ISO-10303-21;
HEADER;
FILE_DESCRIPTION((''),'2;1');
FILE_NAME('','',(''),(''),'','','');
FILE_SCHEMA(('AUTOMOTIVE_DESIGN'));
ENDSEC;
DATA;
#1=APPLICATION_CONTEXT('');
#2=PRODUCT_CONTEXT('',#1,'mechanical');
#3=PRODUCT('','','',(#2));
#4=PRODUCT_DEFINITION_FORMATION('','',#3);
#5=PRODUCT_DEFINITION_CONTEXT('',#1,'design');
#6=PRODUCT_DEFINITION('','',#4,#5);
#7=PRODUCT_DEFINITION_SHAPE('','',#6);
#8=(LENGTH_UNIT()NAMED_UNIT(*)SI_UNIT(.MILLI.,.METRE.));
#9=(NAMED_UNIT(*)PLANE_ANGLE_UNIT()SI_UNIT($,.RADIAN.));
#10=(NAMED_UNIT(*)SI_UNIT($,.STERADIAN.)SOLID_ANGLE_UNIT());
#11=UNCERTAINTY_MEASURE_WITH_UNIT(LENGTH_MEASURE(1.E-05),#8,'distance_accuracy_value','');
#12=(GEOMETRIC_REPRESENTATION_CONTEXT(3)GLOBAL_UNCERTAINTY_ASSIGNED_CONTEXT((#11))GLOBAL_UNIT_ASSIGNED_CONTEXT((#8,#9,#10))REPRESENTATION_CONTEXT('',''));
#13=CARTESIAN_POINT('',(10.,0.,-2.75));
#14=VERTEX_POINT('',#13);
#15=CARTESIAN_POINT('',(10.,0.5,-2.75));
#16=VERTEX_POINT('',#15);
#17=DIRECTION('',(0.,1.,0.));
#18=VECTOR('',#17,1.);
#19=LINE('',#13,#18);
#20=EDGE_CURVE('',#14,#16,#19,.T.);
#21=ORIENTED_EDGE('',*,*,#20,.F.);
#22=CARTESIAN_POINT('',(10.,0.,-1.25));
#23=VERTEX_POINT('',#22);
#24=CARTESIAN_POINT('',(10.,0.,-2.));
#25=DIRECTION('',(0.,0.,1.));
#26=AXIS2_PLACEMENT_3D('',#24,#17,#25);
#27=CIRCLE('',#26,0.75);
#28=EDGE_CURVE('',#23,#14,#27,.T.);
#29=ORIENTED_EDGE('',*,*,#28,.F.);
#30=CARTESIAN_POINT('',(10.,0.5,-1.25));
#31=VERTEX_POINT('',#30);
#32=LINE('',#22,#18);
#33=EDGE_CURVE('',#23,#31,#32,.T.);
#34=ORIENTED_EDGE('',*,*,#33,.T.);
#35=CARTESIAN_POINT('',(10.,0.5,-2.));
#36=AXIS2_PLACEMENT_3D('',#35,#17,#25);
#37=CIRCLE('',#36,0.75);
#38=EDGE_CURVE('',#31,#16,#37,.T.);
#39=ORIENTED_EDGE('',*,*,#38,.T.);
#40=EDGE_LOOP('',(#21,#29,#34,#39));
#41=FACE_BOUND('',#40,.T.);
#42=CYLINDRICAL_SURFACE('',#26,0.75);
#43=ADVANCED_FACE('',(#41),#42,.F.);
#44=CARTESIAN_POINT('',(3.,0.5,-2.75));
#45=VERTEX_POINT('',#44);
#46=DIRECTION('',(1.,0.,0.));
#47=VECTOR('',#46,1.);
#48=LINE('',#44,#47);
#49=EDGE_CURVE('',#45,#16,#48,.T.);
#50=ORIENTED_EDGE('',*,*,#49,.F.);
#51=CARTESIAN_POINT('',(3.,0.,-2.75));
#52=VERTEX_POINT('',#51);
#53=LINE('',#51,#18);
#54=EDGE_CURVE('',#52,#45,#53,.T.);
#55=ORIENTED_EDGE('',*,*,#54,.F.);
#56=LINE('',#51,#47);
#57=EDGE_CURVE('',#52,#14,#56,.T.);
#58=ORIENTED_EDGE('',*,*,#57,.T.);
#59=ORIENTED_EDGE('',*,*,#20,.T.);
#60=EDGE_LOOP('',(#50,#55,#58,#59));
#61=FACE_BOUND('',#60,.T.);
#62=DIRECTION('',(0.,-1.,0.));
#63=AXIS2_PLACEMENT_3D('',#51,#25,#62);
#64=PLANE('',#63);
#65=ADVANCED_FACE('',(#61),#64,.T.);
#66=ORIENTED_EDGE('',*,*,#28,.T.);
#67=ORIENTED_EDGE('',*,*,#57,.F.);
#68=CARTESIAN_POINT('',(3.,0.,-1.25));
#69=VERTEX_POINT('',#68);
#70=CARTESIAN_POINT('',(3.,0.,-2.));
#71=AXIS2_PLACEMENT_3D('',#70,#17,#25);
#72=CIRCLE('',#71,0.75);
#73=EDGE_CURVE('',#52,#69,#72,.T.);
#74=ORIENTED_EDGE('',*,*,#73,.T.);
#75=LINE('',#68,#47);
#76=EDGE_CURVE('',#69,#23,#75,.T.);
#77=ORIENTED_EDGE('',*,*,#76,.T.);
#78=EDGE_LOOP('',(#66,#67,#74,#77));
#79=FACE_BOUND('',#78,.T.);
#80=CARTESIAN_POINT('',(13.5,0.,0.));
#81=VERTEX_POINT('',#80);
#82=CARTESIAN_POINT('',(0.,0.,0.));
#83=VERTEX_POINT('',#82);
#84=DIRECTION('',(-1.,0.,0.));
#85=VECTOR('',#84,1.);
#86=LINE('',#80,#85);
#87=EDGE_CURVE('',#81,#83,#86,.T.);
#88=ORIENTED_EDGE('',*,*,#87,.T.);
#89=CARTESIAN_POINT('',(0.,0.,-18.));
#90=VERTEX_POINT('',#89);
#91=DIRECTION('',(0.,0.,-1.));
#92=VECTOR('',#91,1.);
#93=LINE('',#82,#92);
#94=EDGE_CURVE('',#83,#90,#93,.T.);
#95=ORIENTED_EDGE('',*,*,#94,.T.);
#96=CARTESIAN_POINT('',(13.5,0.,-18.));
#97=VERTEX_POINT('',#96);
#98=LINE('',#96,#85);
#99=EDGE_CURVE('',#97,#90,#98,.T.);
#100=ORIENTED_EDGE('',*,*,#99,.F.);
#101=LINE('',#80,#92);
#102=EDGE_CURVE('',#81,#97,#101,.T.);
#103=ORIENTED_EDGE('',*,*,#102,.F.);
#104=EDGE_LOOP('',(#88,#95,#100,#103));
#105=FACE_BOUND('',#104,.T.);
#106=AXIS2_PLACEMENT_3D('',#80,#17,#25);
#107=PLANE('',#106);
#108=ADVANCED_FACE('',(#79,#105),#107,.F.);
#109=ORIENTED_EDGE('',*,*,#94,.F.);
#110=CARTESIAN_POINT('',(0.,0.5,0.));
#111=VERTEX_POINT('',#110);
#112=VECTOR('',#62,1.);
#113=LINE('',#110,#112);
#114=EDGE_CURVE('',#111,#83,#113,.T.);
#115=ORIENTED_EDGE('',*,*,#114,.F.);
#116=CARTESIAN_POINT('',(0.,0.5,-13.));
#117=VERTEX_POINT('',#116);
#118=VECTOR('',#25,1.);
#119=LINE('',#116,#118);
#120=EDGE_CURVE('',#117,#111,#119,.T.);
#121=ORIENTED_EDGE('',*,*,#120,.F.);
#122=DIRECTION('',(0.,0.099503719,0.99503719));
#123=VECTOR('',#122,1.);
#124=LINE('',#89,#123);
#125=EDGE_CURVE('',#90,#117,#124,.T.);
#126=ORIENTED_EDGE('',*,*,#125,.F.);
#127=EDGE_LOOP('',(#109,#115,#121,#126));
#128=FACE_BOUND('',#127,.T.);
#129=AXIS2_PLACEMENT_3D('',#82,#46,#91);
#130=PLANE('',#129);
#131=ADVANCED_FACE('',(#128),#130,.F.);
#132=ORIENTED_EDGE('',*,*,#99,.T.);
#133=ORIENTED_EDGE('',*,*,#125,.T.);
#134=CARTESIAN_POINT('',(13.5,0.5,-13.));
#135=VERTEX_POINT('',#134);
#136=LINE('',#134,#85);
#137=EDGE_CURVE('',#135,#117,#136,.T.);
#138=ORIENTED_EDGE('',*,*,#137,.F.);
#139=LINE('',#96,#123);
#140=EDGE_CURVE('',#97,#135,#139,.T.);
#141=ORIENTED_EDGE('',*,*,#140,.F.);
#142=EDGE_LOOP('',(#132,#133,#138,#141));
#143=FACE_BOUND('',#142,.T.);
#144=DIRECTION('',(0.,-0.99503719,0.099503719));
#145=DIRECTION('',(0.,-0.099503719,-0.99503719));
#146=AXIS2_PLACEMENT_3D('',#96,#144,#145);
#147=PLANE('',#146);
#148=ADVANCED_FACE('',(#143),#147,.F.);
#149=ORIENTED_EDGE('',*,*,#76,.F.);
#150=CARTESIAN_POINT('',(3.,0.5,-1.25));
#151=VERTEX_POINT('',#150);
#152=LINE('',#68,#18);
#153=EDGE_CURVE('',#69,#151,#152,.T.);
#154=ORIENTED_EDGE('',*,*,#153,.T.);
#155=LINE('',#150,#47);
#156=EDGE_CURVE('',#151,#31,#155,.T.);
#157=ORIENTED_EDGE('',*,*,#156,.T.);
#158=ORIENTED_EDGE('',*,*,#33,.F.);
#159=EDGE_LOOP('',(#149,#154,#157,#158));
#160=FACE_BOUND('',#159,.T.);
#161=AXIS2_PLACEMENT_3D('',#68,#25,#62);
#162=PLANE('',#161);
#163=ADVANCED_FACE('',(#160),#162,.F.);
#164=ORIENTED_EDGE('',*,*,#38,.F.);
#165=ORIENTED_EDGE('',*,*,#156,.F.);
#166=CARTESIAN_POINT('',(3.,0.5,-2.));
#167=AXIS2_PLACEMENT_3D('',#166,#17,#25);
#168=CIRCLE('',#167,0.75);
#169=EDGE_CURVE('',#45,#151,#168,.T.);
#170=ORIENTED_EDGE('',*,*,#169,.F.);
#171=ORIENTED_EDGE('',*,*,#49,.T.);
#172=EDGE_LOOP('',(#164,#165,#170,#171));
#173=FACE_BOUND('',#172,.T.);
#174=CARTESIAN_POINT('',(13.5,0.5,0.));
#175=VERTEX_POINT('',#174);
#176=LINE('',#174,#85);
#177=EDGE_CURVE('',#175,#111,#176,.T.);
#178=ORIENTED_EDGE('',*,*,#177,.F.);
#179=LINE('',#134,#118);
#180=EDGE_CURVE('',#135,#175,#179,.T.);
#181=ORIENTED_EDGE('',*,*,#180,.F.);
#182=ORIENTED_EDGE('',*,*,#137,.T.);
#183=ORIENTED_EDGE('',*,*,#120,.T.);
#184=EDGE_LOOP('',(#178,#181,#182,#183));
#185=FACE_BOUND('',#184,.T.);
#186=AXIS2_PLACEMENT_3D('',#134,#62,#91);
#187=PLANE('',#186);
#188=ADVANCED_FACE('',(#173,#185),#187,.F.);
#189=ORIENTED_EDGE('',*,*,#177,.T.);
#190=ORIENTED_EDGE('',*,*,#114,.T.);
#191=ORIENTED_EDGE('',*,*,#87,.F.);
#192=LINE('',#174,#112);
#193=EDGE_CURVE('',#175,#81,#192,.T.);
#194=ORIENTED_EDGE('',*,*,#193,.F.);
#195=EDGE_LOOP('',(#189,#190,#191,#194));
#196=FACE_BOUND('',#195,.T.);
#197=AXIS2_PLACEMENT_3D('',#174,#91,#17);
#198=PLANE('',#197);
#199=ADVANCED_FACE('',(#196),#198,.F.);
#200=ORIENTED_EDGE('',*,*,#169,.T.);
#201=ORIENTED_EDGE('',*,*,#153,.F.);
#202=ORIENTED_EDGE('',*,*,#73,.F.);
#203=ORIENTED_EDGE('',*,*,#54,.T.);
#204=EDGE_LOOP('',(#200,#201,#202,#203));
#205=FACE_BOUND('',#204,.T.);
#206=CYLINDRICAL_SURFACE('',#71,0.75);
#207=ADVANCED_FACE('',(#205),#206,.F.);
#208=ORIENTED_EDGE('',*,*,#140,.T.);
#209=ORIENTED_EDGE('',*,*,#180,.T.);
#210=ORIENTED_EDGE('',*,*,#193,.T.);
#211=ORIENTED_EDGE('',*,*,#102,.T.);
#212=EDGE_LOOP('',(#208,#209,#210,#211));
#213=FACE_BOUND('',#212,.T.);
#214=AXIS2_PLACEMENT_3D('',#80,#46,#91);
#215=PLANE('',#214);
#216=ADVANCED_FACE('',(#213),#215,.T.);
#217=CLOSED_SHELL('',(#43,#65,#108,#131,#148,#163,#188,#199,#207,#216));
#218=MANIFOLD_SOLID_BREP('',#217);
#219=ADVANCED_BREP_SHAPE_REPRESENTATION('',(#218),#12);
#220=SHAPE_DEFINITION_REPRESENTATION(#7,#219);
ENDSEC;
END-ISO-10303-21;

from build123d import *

# Parameters (mm, degrees)
SALIENTE_EXTRUIR1_DEPTH = 13.5
CORTAR_EXTRUIR1_DEPTH   = 23.50555487


with BuildPart() as part:
    # Croquis1 → Saliente-Extruir1 (new body)
    with BuildSketch(Plane(origin=(0, 0, 0), x_dir=(0, 0, -1), z_dir=(1, 0, 0))):
        Polygon((0, 0), (18, 0), (13, 0.5), (0, 0.5), align=None)
    extrude(amount=SALIENTE_EXTRUIR1_DEPTH)

    # Croquis2 → Cortar-Extruir1 (cut, through all)
    with BuildSketch(Plane(origin=(0, 0.5, 0), x_dir=(1, 0, 0), z_dir=(0, 1, 0))):
        with BuildLine():
            Line((3, 2.75), (10, 2.75))
            ThreePointArc((10, 2.75), (10.75, 2), (10, 1.25))
            Line((10, 1.25), (3, 1.25))
            ThreePointArc((3, 1.25), (2.25, 2), (3, 2.75))
        make_face()
    extrude(amount=-CORTAR_EXTRUIR1_DEPTH, mode=Mode.SUBTRACT)


solid = part.part
